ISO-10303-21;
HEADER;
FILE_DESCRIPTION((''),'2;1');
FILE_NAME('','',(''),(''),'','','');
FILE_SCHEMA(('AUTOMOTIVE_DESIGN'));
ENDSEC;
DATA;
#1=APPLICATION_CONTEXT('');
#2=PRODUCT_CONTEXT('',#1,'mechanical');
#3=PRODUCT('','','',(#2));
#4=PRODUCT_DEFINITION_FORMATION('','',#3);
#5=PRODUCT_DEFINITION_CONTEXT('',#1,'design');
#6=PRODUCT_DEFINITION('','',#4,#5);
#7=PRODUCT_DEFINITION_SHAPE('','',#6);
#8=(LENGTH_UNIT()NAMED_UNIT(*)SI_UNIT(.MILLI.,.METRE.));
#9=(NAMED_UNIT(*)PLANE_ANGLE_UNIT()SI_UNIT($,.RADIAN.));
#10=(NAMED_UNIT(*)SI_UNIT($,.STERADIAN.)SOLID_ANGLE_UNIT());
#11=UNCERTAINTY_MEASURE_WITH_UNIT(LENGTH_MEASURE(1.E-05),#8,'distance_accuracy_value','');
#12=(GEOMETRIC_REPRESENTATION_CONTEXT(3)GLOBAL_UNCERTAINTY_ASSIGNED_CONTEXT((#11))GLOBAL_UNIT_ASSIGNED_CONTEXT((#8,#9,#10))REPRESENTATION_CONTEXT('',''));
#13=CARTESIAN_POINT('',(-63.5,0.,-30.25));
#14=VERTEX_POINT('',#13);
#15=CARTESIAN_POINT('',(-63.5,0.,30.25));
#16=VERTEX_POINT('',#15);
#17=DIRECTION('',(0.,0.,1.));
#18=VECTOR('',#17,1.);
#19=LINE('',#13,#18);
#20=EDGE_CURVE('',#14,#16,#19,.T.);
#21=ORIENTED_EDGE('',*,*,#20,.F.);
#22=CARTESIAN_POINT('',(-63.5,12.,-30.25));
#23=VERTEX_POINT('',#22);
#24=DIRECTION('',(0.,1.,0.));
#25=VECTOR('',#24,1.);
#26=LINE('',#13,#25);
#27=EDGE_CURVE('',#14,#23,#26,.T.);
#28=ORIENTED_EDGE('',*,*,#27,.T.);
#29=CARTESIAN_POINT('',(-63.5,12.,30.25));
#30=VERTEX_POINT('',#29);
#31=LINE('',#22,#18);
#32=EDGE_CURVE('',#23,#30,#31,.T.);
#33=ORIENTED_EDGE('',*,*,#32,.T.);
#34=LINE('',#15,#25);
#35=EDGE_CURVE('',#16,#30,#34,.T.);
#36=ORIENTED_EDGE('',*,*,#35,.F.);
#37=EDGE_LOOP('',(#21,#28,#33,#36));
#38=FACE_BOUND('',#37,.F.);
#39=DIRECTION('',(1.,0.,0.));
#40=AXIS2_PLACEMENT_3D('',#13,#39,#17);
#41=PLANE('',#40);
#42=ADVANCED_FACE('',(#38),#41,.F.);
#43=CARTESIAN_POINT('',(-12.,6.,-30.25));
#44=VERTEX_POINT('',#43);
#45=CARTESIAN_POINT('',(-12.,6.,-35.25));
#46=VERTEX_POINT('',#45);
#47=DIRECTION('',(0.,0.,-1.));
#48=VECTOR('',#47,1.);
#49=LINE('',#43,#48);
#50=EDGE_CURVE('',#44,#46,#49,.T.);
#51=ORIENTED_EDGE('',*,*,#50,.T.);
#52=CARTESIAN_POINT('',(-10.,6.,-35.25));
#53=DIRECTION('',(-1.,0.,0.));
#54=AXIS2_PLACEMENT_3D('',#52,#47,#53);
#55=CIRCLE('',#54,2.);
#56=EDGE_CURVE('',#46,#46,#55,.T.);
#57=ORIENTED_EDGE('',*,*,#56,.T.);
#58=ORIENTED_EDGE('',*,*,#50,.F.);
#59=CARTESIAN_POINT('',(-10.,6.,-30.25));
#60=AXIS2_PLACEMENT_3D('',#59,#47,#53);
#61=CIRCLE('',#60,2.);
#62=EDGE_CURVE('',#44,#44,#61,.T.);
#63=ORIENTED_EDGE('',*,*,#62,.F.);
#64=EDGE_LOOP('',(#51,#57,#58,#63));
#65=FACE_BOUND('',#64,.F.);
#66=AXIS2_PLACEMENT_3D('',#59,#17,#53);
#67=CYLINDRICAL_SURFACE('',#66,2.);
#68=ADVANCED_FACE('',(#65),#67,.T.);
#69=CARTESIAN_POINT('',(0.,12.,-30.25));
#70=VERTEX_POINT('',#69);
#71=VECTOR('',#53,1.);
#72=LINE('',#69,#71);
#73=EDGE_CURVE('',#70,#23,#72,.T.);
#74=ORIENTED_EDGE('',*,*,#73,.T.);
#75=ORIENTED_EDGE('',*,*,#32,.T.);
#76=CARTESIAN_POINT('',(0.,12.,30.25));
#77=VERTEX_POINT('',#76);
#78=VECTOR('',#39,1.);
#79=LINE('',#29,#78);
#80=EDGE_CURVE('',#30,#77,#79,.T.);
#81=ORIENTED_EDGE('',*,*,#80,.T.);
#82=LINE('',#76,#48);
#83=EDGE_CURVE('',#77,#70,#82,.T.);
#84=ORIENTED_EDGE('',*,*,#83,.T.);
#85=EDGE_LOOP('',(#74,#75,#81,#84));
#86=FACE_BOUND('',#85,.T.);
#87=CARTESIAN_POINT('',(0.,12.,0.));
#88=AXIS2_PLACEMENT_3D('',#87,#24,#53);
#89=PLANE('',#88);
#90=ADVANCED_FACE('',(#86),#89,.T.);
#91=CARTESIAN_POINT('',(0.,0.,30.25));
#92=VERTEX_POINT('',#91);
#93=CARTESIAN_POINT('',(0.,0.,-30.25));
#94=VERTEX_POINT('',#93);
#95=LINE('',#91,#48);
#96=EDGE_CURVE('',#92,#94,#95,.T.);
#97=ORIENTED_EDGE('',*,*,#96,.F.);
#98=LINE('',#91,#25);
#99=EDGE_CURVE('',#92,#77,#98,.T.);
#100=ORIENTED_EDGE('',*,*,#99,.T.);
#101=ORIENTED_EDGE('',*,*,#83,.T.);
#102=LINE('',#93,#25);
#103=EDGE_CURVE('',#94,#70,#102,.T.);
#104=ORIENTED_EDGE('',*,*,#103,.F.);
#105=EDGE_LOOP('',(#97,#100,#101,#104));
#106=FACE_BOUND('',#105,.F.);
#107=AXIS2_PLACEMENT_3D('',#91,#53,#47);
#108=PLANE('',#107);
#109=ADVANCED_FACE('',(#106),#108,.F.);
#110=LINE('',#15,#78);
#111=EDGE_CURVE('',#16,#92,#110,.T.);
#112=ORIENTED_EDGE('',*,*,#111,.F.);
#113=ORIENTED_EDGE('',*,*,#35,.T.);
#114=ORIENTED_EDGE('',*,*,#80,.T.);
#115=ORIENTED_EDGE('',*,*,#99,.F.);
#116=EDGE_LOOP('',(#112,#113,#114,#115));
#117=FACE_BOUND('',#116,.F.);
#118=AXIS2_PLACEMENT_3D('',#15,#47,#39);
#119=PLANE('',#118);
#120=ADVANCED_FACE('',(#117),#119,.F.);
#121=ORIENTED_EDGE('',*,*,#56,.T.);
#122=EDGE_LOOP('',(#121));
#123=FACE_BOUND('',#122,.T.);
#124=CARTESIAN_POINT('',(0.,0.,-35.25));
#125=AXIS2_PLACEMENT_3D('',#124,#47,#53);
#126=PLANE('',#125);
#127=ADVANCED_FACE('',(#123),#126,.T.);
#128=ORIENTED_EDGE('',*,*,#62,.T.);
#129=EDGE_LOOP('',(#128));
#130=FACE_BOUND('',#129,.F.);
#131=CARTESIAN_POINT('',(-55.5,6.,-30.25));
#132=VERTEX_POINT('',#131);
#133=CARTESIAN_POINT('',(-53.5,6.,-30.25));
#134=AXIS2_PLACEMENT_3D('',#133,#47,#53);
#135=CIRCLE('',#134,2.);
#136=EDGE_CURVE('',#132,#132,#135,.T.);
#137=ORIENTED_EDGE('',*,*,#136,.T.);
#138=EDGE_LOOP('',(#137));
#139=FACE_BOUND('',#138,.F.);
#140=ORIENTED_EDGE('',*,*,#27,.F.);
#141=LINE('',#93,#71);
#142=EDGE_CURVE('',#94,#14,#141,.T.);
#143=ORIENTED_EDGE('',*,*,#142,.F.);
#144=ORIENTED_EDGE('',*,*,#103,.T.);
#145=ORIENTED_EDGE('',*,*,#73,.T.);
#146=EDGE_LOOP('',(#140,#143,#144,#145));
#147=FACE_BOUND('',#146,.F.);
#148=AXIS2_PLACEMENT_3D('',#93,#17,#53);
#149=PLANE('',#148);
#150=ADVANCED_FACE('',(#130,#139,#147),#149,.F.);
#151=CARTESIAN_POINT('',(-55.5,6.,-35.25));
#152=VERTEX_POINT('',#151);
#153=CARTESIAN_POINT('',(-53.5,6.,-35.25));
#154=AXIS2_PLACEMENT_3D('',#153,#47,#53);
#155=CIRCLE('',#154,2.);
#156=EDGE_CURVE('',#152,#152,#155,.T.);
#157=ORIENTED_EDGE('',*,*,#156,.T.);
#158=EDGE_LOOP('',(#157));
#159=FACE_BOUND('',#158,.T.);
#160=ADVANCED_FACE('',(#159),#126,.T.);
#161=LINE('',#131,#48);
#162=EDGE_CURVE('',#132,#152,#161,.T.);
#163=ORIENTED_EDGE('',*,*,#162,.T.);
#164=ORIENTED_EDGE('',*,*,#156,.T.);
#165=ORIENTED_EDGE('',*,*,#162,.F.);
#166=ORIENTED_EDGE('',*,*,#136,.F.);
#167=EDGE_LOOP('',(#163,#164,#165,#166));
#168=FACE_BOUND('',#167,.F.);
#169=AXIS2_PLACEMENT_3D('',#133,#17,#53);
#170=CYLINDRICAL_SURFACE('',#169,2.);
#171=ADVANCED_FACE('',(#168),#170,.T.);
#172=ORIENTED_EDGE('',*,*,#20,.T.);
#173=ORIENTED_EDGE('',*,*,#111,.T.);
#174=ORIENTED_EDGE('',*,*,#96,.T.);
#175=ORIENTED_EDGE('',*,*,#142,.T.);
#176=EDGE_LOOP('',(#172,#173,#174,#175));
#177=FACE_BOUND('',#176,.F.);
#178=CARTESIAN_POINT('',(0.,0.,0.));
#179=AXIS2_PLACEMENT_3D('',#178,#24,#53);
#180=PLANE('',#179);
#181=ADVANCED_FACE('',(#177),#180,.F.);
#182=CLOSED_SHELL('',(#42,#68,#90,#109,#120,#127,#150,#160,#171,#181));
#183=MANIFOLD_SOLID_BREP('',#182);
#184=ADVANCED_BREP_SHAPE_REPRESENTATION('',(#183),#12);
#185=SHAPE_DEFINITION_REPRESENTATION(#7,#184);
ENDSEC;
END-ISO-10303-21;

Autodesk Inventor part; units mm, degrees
ref_plane "YZ Plane" through (0, 0, 0) normal (1, 0, 0) x (0, 1, 0)
ref_plane "XZ Plane" through (0, 0, 0) normal (0, 1, 0) x (-1, 0, 0)
ref_plane "XY Plane" through (0, 0, 0) normal (0, 0, 1) x (1, 0, 0)
sketch "스케치1" plane through (0, 0, 0) normal (0, 1, 0) x (-1, 0, 0)
  line L0 (63.5, 30.25) -> (0, 30.25)
  line L1 (0, 30.25) -> (0, -30.25)
  line L2 (0, -30.25) -> (63.5, -30.25)
  line L3 (63.5, -30.25) -> (63.5, 30.25)
  point P0 (0, 0)
  point P1 (0, 0)
  dimension "d0" = 63.5
  dimension "d1" = 60.5
extrude "돌출1" add sketch "스케치1" along normal blind 12
sketch "스케치3" plane through (0, 0, -30.25) normal (0, 0, -1) x (-1, 0, 0)
  line L0 (0, 0) -> (63.5, 0) projected
  line L1 (63.5, 0) -> (63.5, 12) projected
  line L2 (0, 12) -> (63.5, 12) projected
  line L3 (0, 0) -> (0, 12) projected
  circle A0 centre (10, 6) radius 2
  circle A1 centre (53.5, 6) radius 2
  point P0 (0, 0)
  dimension "d4" = 4
  dimension "d5" = 10
  dimension "d6" = 10
extrude "돌출2" add sketch "스케치3" along normal blind 5 contours A0 | A1
sketch "스케치4" plane through (0, 12, 0) normal (0, 1, 0) x (1, 0, 0)
  line L0 (-54.9197, 16.2745) -> (-7.8987, 16.2745) construction
  line L1 (-7.8987, 16.2745) -> (-7.8987, 0.7952) construction
  line L2 (-7.8987, 0.7952) -> (-54.9197, 0.7952) construction
  line L3 (-54.9197, 0.7952) -> (-54.9197, 16.2745) construction
  point P0 (0, 0)
properties part number "SMC-2000(GPS_BOARD)"
